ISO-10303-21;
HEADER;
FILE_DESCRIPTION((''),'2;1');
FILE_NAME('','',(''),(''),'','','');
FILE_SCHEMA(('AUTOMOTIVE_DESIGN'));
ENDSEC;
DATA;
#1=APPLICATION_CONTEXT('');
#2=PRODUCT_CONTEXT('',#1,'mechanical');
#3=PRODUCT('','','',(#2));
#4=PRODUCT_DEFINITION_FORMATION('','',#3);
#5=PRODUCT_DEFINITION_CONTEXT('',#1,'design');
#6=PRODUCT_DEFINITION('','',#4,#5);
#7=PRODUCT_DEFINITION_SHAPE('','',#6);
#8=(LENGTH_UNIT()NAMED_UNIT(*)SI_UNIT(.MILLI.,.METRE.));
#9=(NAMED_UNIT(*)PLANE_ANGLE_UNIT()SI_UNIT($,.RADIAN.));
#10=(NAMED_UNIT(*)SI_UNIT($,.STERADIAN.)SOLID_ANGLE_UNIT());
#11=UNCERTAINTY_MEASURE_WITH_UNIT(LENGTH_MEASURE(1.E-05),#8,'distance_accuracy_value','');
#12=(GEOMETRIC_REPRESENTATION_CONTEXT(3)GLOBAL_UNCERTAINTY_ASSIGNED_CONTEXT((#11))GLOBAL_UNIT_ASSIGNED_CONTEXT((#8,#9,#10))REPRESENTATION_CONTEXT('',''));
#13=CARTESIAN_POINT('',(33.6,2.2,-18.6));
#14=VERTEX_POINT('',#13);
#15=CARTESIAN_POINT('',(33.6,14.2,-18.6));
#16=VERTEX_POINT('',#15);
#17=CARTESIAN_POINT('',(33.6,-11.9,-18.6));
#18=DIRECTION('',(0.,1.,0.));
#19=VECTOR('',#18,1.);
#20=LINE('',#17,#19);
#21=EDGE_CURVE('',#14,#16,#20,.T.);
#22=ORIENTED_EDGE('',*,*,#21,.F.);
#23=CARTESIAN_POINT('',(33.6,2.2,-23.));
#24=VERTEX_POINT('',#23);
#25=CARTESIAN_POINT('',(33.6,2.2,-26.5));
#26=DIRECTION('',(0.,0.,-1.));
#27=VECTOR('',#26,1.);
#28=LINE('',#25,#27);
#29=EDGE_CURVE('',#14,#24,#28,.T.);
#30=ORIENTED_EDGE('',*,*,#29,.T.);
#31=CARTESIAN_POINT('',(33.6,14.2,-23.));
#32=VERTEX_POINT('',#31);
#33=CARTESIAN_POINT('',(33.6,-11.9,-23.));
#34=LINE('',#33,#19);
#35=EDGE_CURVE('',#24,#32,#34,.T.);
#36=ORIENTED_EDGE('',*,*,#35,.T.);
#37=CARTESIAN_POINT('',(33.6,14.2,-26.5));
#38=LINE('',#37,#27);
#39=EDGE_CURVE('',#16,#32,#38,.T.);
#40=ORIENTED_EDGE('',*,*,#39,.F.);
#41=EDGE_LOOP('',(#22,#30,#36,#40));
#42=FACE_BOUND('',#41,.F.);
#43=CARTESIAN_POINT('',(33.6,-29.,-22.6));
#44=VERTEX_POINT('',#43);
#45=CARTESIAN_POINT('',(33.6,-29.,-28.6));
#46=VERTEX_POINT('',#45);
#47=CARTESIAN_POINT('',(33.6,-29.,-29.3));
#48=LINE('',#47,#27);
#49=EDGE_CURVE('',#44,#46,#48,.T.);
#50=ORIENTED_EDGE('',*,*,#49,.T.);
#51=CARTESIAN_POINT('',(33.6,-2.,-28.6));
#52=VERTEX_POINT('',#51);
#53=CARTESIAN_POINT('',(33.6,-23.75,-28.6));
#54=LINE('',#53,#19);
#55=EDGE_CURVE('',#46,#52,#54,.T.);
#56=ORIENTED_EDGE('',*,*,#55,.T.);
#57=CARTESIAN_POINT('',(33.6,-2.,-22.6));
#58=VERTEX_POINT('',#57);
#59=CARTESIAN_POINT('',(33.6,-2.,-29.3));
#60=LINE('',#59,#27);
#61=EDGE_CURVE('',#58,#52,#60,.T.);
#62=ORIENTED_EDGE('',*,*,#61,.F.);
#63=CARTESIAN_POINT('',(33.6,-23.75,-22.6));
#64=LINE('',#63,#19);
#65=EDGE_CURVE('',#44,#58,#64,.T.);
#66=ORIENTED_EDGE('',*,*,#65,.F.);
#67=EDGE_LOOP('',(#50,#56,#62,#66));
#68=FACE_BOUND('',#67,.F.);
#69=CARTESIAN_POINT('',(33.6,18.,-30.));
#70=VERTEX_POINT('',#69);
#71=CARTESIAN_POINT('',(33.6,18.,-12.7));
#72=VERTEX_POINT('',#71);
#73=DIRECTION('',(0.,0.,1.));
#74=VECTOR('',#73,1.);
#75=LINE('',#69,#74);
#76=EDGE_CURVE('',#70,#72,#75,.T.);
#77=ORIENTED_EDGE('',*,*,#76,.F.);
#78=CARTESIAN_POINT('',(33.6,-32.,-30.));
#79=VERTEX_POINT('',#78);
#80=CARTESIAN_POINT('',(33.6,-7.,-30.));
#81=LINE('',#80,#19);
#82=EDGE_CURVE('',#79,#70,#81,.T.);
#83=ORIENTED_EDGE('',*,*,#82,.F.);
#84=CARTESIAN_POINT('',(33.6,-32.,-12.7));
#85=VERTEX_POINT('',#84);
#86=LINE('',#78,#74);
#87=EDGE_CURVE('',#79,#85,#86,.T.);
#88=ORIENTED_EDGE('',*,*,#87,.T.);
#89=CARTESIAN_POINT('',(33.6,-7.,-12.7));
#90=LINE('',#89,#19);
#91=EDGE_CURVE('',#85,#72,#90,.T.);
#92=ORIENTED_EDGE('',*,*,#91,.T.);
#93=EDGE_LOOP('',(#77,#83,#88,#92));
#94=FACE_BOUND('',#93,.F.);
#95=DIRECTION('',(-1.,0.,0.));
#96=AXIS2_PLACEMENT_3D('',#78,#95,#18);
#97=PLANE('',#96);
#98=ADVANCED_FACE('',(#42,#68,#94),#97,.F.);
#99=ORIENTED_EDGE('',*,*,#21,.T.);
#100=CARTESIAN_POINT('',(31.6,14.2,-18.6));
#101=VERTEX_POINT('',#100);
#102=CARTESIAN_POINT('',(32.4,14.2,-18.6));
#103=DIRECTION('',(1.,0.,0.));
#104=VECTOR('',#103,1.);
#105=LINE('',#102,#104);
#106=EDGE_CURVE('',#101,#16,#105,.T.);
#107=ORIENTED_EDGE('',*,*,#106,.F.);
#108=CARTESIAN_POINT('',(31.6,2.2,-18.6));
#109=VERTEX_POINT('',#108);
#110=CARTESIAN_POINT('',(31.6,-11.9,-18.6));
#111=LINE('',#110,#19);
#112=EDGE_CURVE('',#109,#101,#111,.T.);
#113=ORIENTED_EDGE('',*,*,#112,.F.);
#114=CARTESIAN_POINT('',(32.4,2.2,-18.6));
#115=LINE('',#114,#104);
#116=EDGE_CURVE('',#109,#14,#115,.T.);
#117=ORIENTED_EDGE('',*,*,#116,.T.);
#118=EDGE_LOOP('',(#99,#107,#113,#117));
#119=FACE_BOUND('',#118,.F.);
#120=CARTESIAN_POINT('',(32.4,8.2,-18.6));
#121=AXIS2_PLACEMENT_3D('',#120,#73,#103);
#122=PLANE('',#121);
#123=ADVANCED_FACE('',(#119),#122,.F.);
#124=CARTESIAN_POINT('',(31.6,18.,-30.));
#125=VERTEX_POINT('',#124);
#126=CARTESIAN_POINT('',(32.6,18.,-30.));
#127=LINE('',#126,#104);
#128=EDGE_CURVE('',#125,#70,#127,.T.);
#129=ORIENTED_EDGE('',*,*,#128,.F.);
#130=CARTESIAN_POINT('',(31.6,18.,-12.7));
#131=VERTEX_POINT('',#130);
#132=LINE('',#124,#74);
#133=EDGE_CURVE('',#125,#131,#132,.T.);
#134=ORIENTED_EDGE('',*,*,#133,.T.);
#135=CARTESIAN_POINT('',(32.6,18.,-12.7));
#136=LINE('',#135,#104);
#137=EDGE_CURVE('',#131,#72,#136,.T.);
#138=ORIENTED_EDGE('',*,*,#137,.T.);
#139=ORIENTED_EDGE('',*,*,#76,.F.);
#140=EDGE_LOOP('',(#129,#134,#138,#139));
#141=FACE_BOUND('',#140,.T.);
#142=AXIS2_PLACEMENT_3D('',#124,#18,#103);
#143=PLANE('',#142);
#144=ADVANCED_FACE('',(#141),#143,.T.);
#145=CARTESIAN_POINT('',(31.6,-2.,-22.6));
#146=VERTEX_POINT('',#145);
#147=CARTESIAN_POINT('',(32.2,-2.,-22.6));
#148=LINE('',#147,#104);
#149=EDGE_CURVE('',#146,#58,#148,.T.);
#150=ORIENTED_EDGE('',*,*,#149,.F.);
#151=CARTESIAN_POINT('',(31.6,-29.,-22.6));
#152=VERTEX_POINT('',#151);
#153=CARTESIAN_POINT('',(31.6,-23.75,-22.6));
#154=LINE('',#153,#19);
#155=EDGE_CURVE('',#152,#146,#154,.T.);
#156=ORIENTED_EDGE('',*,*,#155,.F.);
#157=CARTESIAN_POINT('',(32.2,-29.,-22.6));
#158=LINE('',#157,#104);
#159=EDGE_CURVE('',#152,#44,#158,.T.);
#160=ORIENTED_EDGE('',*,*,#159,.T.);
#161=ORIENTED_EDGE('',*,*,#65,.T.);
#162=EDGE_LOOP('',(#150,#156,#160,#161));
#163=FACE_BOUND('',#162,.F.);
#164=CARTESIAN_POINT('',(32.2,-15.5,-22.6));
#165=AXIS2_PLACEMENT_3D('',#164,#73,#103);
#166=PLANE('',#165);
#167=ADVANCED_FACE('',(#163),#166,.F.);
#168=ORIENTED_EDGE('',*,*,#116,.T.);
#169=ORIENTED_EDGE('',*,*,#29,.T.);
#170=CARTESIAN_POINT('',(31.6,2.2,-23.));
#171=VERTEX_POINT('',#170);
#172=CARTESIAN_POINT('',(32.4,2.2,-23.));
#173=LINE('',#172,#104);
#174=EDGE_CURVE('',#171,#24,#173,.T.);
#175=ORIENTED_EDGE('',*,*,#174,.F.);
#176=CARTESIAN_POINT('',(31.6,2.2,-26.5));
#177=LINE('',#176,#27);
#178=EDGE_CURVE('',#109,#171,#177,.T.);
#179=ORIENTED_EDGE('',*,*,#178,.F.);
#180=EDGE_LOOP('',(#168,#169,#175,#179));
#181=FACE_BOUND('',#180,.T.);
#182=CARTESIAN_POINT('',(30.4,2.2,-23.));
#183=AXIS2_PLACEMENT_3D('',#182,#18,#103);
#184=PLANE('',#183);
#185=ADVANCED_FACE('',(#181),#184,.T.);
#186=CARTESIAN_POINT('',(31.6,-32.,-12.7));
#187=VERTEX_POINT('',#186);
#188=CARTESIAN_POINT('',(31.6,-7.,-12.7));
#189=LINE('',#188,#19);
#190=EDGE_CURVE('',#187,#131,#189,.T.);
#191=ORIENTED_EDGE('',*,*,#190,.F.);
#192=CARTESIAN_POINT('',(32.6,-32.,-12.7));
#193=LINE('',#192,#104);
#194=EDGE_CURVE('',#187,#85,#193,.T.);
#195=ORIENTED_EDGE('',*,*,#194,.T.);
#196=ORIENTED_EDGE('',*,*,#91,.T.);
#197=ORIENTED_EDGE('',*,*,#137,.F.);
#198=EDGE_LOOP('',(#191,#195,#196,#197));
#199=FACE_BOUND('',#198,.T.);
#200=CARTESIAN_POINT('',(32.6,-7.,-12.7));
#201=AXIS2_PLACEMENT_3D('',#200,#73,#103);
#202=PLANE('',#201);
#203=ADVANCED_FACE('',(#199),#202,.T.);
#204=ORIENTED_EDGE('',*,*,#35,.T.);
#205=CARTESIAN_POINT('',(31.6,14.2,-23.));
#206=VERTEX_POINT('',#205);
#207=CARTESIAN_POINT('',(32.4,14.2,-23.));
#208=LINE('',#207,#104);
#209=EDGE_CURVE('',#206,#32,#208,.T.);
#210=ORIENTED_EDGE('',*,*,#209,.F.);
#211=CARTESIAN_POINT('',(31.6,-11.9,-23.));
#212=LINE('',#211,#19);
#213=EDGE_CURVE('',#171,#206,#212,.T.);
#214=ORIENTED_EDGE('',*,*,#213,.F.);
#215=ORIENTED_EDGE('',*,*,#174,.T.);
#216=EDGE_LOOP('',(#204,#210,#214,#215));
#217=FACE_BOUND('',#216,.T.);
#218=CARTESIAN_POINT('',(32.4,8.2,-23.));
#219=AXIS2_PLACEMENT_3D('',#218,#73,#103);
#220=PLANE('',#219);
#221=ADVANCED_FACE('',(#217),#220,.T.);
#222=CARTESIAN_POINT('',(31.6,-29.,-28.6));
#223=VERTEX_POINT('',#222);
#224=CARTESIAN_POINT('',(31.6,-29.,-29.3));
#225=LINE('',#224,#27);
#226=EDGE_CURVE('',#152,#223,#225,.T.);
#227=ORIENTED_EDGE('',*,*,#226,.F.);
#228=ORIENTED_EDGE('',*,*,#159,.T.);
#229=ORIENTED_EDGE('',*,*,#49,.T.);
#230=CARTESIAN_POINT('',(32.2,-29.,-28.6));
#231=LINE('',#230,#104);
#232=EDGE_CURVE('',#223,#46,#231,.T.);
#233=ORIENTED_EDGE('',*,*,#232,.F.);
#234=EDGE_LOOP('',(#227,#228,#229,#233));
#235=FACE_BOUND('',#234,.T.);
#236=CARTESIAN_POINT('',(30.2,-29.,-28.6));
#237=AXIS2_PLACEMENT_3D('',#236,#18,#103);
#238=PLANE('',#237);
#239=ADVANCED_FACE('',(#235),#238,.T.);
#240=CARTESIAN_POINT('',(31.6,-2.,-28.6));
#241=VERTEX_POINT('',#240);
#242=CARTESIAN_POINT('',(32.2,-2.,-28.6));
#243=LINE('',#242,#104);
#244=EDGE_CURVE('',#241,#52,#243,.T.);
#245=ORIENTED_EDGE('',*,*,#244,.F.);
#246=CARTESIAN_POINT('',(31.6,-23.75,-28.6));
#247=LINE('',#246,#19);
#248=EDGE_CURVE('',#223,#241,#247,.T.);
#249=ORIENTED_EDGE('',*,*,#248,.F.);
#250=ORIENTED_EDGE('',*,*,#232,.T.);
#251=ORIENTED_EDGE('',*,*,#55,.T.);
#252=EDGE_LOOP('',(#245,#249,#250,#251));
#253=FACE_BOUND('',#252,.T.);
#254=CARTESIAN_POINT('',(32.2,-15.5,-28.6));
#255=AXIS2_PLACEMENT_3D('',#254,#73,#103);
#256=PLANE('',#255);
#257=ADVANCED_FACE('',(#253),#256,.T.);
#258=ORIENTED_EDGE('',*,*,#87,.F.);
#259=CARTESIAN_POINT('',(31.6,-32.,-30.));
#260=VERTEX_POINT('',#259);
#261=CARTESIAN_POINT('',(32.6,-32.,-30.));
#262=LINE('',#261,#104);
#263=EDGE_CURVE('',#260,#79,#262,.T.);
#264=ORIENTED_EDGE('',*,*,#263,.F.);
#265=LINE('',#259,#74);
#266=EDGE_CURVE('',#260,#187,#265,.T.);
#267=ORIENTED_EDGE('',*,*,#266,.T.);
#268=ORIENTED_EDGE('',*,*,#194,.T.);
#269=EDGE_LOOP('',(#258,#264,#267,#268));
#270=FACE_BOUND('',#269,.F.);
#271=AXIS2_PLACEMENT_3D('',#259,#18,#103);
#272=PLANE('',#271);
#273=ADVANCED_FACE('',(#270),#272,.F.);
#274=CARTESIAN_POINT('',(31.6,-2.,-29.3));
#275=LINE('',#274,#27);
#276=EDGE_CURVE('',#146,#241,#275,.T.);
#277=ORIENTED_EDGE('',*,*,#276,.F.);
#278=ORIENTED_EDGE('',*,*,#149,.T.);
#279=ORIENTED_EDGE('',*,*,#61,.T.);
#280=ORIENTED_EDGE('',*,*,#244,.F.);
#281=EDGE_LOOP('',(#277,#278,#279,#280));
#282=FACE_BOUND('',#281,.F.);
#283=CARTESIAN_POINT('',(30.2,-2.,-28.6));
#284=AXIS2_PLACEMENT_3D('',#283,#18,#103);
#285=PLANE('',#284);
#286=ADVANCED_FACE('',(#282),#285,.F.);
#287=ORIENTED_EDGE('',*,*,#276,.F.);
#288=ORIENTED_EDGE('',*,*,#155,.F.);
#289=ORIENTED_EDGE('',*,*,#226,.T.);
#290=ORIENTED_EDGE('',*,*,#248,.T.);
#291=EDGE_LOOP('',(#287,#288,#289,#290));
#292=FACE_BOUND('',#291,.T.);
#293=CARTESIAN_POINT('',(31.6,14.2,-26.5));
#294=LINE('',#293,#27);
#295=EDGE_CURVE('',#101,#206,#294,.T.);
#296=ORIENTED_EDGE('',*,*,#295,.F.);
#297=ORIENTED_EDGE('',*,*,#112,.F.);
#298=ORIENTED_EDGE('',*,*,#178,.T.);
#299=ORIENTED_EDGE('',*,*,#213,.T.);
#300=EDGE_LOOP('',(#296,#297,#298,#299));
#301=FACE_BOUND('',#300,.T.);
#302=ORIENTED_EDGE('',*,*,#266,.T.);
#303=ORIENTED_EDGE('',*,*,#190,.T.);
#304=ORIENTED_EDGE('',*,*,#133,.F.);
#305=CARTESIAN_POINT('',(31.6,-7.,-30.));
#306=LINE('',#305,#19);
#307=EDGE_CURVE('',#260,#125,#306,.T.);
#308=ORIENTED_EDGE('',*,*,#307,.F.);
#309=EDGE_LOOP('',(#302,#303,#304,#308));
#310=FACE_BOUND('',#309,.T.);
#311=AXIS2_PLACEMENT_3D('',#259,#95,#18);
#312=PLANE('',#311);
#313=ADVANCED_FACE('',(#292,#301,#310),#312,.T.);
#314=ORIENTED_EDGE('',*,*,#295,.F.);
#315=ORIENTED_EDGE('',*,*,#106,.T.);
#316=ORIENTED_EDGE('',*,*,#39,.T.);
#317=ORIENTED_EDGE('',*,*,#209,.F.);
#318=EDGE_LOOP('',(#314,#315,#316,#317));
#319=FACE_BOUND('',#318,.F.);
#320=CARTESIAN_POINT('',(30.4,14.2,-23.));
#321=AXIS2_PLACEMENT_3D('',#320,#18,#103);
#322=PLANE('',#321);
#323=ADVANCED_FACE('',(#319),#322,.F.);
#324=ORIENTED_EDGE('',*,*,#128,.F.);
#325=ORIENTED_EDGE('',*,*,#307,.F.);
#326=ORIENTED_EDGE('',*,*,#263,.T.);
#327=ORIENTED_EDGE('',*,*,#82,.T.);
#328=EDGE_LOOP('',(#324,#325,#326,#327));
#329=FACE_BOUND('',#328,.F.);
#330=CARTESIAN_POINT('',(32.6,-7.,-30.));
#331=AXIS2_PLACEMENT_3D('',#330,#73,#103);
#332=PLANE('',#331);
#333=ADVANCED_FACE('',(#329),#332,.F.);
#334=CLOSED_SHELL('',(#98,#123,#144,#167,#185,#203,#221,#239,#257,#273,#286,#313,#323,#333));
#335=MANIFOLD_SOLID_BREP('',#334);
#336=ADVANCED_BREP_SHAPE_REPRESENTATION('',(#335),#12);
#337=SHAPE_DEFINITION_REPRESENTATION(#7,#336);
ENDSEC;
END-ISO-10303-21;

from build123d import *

# Parameters (mm, degrees)
BOX010_W     = 4
BOX010_H     = 27
BOX010_DEPTH = 6
BOX009_W     = 4
BOX009_H     = 12
BOX009_DEPTH = 4.4
BOX008_W     = 2
BOX008_H     = 50
BOX008_DEPTH = 17.3


with BuildPart() as sdcard:
    # Box010 → Box010 (new body)
    with BuildSketch(Plane(origin=(30.2, -29, -28.6), x_dir=(1, 0, 0), z_dir=(0, 0, 1))):
        with Locations((2, 13.5)):
            Rectangle(BOX010_W, BOX010_H)
    extrude(amount=BOX010_DEPTH)


with BuildPart() as powermicrousb:
    # Box009 → Box009 (new body)
    with BuildSketch(Plane(origin=(30.4, 2.2, -23), x_dir=(1, 0, 0), z_dir=(0, 0, 1))):
        with Locations((2, 6)):
            Rectangle(BOX009_W, BOX009_H)
    extrude(amount=BOX009_DEPTH)


with BuildPart() as side_powersdcard:
    # Box008 → Box008 (new body)
    with BuildSketch(Plane(origin=(31.6, -32, -30), x_dir=(1, 0, 0), z_dir=(0, 0, 1))):
        with Locations((1, 25)):
            Rectangle(BOX008_W, BOX008_H)
    extrude(amount=BOX008_DEPTH)

    # Cut015: cut PowermicroUSB
    add(powermicrousb.part, mode=Mode.SUBTRACT)

    # Cut016: cut SDcard
    add(sdcard.part, mode=Mode.SUBTRACT)


solid = side_powersdcard.part
